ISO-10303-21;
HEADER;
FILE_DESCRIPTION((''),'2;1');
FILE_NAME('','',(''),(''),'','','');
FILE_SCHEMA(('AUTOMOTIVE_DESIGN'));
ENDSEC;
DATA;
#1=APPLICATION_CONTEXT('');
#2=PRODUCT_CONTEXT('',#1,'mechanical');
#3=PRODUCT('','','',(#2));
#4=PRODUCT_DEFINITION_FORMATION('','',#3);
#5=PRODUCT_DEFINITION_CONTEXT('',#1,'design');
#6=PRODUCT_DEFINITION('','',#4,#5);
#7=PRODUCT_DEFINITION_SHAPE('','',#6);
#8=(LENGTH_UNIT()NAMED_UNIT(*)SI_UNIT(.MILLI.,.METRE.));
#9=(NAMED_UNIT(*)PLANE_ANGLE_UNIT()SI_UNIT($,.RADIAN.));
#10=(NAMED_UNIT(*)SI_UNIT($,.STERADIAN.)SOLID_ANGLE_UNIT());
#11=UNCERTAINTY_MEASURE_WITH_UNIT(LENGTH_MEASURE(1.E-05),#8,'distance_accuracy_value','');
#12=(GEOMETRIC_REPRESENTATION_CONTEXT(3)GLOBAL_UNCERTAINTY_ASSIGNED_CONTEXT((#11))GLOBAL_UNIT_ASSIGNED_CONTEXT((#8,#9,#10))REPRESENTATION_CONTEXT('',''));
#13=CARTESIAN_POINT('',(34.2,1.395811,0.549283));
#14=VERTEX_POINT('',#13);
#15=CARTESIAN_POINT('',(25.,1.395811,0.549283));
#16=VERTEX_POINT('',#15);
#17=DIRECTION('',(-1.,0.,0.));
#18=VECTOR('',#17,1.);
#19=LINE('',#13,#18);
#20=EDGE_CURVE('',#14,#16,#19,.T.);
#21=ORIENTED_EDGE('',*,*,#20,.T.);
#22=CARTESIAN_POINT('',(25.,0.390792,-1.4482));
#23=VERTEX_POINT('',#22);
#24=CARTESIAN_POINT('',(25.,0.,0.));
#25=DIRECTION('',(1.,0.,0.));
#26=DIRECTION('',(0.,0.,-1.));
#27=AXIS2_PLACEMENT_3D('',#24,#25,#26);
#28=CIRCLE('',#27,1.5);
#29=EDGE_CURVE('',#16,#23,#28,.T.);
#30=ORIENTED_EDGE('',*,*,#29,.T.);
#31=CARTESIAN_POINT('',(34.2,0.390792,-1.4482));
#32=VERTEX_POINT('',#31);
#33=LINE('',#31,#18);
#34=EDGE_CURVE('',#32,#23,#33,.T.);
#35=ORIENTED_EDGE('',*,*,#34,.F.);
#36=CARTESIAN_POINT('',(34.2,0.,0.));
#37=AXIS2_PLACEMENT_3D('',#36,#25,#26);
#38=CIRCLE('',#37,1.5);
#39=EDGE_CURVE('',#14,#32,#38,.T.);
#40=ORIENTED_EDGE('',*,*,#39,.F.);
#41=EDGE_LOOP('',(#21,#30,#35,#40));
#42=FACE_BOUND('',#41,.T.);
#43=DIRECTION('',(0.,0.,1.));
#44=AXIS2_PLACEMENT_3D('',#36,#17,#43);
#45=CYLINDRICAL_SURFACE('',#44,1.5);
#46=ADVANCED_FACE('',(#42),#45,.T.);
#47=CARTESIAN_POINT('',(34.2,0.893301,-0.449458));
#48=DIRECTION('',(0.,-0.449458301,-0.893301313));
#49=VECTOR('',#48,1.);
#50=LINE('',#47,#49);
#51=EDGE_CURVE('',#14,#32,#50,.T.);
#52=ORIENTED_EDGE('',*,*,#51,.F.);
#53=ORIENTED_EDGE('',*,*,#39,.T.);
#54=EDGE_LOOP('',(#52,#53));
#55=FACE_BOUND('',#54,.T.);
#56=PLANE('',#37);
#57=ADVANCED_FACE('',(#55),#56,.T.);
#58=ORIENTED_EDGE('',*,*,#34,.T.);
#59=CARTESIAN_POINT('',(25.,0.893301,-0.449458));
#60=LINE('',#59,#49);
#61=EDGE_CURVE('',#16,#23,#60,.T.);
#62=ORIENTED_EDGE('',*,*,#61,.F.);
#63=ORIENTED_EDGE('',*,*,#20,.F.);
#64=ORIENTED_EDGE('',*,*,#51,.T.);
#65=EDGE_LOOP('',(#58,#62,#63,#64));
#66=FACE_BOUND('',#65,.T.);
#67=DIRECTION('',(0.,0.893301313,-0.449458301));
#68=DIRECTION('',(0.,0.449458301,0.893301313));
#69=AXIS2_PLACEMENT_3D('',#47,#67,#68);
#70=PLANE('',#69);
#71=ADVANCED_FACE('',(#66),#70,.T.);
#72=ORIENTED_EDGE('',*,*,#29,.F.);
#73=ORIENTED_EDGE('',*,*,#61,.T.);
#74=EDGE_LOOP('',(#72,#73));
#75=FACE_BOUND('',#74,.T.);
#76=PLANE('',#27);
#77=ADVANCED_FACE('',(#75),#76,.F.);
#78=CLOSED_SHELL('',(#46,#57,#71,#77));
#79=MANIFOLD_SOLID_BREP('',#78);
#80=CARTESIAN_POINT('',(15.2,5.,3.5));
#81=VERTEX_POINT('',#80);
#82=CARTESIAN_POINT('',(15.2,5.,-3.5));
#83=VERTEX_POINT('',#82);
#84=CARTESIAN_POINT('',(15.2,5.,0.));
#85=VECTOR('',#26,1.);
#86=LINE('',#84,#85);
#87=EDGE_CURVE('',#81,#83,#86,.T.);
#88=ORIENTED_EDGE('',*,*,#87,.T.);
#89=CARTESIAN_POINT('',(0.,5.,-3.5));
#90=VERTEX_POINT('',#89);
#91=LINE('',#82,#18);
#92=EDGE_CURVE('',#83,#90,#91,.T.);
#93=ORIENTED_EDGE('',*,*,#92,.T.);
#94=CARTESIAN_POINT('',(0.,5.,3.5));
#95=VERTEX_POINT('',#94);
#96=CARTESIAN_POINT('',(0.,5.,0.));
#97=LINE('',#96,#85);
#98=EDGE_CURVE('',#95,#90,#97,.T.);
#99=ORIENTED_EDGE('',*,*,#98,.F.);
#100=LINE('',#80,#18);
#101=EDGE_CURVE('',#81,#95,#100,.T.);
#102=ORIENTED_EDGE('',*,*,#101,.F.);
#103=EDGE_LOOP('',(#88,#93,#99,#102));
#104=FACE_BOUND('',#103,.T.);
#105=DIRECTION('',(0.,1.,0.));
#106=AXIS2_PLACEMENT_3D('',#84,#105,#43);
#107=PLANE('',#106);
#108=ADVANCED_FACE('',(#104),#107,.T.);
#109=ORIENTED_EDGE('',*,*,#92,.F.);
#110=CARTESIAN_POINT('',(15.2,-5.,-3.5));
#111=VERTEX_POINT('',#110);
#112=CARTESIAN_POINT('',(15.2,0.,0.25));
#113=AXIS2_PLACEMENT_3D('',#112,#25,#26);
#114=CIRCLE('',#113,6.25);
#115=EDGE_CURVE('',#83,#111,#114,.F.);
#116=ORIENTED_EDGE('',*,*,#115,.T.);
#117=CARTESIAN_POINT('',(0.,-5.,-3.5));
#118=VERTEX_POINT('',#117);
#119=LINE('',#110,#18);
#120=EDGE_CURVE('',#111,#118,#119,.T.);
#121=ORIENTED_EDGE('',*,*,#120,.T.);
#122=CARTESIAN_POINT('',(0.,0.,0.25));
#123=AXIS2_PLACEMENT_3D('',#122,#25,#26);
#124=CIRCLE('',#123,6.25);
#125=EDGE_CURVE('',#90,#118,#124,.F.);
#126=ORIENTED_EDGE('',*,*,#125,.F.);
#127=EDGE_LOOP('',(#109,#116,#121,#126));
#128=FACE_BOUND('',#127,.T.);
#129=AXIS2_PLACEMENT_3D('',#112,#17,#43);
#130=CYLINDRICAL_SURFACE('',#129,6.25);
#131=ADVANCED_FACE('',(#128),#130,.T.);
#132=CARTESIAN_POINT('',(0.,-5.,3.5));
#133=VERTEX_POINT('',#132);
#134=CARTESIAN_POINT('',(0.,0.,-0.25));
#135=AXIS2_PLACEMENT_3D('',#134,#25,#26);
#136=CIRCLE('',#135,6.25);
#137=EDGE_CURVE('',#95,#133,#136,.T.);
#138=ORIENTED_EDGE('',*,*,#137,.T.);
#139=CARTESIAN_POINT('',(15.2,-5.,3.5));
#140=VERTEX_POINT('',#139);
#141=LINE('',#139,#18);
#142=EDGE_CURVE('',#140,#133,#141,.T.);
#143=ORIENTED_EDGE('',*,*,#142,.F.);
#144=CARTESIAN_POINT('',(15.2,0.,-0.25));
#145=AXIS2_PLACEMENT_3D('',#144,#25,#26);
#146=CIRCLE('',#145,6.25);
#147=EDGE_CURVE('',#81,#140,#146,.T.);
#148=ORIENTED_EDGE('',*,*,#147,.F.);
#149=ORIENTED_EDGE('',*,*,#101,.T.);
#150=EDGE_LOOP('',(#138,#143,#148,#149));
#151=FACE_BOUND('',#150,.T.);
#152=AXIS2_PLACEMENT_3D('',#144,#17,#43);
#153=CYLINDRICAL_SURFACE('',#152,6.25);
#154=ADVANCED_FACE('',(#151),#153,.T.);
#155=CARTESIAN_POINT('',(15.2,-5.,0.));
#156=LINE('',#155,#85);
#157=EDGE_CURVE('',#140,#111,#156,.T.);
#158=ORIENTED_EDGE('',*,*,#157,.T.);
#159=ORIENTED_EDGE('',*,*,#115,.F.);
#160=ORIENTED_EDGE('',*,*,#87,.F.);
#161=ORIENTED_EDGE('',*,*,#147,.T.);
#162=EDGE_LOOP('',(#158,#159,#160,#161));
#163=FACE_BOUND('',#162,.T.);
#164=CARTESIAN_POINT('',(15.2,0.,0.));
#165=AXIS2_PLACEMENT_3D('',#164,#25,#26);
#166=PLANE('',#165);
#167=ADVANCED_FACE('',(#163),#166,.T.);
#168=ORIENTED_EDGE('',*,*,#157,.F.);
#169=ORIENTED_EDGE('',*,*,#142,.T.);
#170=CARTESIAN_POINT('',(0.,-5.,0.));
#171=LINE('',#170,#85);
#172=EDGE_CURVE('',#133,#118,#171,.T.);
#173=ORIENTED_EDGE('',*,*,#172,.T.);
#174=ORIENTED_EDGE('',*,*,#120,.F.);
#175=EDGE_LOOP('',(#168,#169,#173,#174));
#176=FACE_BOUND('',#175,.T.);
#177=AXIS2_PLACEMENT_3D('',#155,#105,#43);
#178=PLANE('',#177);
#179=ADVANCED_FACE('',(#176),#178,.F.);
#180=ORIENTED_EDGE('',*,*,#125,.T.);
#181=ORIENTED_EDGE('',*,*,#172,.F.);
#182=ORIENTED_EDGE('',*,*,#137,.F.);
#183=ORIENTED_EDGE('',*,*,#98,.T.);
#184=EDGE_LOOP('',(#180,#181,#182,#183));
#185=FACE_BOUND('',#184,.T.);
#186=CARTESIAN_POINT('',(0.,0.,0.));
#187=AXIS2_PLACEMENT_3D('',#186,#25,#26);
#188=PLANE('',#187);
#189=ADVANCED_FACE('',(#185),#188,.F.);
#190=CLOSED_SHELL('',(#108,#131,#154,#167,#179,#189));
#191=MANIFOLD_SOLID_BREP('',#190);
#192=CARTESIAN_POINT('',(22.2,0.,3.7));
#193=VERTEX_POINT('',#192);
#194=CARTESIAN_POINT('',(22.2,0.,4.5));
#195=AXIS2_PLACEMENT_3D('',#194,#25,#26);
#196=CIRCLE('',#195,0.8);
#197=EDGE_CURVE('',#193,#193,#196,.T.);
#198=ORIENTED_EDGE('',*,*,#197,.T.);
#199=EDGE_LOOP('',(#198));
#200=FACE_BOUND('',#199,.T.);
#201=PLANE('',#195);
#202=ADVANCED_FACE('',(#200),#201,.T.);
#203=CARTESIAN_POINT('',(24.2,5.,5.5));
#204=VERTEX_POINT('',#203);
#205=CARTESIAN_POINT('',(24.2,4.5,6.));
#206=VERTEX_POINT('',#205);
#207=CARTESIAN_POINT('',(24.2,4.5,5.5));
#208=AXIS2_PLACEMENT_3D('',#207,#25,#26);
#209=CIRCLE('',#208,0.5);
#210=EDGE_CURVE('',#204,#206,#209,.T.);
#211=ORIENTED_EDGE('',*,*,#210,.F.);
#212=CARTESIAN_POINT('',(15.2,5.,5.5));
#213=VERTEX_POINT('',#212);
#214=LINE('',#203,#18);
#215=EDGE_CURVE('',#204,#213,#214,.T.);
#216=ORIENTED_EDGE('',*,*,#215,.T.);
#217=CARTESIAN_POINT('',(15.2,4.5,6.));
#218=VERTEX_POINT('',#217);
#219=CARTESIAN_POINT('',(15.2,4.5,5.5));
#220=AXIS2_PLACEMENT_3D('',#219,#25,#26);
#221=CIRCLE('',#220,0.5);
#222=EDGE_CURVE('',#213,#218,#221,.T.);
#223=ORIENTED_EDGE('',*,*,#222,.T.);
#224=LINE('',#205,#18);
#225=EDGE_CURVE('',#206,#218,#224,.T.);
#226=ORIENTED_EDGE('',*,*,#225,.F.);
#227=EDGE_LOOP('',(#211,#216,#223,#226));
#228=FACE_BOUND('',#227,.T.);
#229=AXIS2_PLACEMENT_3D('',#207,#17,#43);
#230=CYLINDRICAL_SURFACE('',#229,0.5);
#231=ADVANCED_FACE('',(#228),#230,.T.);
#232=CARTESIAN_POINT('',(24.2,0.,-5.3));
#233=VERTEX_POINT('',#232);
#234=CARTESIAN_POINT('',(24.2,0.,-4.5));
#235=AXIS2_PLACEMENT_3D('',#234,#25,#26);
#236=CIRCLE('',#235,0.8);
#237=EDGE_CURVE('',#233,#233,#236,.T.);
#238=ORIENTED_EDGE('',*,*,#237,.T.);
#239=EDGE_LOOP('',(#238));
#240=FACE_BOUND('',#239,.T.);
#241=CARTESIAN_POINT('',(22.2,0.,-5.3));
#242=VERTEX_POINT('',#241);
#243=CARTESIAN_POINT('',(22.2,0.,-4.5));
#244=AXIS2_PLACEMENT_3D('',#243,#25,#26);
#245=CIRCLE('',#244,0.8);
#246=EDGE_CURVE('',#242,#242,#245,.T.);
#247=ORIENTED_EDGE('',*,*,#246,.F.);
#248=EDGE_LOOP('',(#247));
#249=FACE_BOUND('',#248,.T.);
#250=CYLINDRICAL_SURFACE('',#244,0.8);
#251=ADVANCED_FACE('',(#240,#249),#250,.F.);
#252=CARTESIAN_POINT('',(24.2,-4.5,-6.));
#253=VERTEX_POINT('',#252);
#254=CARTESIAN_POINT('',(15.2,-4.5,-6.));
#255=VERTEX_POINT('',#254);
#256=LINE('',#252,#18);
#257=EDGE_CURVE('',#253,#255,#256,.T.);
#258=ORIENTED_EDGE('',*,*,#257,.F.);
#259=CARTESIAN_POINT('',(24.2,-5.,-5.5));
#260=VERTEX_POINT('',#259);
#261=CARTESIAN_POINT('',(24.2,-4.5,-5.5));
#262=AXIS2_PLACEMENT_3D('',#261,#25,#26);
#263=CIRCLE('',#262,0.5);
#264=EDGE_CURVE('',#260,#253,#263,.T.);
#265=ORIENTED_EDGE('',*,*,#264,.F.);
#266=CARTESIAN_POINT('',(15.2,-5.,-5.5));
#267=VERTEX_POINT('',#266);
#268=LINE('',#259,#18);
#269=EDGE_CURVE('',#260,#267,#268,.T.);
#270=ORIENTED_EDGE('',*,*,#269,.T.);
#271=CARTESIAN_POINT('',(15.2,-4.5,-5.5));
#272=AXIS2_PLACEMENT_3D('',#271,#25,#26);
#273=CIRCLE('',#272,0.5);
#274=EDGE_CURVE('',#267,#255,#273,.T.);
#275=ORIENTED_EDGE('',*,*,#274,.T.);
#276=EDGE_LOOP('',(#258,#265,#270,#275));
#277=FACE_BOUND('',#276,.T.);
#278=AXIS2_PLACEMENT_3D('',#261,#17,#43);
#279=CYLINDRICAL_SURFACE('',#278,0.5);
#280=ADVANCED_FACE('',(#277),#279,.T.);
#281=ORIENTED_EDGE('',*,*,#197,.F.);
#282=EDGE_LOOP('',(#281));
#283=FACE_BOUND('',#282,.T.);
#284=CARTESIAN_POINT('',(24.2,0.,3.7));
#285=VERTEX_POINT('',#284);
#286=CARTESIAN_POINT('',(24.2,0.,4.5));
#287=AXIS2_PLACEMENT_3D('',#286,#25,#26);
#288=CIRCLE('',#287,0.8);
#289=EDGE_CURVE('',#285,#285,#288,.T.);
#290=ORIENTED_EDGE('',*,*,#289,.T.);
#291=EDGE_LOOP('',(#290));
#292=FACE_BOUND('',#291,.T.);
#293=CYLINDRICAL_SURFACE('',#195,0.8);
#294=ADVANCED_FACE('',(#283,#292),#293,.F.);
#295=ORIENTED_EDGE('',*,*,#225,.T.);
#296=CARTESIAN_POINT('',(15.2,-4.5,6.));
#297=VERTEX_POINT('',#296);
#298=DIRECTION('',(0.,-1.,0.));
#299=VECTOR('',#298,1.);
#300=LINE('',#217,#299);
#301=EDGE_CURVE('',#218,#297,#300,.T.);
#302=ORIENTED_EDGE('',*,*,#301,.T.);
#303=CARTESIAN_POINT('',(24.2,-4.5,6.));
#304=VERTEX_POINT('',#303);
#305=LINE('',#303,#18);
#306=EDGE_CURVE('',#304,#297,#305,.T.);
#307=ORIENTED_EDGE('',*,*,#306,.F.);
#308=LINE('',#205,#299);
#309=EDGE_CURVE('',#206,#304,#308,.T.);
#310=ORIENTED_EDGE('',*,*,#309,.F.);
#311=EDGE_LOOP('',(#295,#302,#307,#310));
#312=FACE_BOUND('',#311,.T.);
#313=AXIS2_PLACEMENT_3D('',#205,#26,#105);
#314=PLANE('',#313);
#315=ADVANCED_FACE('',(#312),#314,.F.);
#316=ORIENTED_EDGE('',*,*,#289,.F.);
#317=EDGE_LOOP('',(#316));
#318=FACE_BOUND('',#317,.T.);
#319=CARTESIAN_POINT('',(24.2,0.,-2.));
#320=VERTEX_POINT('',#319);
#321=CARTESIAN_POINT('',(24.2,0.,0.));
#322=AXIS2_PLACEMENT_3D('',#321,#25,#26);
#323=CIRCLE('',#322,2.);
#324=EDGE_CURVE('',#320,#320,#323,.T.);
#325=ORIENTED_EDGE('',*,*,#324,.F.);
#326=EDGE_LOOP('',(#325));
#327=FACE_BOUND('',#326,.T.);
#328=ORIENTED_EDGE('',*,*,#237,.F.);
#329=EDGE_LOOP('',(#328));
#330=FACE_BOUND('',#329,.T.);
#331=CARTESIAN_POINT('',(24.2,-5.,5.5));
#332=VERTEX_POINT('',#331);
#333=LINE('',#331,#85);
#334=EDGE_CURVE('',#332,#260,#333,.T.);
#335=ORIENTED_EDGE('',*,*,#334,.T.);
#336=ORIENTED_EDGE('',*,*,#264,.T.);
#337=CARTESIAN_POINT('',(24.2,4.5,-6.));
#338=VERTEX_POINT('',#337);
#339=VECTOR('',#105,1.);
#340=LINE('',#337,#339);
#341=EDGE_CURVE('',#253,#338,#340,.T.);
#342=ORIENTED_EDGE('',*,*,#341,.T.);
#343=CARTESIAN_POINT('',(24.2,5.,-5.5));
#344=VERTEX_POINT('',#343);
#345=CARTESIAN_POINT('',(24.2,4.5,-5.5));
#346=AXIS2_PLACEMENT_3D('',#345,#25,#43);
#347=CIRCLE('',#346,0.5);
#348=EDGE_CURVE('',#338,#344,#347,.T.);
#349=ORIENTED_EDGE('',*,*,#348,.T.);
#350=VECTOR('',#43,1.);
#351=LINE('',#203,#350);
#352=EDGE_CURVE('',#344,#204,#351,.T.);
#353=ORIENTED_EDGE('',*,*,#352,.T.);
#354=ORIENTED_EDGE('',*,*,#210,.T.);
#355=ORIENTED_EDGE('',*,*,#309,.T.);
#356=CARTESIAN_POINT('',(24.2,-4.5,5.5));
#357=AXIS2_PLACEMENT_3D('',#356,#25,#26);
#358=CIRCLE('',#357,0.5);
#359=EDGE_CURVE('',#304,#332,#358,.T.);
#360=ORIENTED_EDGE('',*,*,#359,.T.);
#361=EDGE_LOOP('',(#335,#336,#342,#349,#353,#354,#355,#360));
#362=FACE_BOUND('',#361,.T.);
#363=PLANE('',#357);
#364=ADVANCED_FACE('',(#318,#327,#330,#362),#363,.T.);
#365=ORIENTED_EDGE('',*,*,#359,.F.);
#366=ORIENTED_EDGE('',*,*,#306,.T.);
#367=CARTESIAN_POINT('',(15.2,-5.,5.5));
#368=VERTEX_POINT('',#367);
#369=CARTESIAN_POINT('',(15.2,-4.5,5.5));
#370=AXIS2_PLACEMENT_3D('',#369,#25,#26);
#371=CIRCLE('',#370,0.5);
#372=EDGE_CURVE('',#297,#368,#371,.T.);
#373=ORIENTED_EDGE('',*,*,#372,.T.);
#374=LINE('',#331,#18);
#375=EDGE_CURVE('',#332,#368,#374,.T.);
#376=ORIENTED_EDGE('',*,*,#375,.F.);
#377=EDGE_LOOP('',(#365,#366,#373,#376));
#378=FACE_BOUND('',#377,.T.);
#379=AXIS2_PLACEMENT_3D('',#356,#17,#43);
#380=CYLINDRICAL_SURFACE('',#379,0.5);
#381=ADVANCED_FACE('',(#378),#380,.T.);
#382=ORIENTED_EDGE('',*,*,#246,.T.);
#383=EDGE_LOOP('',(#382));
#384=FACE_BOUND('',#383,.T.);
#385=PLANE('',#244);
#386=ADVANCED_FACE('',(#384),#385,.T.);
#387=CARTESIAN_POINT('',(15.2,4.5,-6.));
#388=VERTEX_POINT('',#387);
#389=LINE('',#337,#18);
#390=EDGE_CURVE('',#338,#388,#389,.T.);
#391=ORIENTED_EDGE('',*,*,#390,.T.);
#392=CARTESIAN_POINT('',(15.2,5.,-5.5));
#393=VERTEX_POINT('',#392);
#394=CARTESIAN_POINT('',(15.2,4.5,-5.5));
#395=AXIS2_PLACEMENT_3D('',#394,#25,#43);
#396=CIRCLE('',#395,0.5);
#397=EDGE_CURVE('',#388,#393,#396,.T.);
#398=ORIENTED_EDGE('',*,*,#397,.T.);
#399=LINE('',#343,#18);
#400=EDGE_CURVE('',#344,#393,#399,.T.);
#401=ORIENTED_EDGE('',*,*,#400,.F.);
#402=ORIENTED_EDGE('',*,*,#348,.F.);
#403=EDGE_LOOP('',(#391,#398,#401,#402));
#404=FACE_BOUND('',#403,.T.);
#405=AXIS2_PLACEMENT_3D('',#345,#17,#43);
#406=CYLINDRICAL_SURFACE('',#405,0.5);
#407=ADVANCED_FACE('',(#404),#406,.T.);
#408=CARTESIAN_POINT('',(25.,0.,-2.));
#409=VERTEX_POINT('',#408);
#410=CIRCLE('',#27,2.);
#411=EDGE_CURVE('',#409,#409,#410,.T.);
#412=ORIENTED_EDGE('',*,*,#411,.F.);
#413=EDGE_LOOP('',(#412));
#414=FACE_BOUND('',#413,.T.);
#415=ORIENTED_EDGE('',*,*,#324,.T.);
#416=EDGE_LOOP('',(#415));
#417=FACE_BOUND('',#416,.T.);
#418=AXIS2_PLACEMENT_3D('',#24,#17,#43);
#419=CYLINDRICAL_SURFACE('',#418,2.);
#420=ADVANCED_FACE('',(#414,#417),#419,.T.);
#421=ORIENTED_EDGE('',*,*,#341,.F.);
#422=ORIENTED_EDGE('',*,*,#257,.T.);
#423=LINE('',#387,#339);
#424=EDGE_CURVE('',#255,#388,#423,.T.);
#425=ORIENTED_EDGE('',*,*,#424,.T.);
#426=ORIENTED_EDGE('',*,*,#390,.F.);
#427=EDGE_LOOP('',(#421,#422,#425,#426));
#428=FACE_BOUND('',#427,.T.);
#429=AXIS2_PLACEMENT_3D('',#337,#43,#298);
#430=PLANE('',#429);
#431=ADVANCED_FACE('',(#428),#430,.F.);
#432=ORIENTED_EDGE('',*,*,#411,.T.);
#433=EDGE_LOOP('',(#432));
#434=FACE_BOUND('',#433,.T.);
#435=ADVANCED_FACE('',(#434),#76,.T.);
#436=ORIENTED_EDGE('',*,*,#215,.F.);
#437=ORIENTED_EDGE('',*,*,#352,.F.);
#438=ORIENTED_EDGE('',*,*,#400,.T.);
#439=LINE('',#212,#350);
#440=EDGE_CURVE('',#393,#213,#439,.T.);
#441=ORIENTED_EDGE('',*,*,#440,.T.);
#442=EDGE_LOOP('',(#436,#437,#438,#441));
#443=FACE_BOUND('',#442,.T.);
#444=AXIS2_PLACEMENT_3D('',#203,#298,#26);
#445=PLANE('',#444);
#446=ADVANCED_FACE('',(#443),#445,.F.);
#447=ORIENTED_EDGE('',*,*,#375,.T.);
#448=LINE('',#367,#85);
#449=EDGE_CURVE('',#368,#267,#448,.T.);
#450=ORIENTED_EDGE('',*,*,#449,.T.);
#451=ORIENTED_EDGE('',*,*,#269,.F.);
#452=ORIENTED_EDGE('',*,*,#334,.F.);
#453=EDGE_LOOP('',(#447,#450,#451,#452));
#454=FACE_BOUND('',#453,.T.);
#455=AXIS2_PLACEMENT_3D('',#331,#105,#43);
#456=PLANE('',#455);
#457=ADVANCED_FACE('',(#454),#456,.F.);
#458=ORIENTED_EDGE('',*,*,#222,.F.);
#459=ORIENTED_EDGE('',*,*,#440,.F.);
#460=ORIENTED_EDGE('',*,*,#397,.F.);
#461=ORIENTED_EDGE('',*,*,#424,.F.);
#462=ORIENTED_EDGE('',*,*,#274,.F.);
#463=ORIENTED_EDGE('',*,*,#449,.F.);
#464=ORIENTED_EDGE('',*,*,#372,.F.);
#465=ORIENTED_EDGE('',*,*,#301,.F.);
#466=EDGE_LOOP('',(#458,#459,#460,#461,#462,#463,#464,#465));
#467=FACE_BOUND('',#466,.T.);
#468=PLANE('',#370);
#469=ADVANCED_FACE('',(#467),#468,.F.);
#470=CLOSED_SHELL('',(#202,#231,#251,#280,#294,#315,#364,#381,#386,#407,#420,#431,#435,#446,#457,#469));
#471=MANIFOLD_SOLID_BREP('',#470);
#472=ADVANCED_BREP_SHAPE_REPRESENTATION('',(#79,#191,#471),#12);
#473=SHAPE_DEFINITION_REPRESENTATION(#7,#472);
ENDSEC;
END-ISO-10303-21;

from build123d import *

# Parameters (mm, degrees)
SKETCH1_W           = 7
SKETCH1_H           = 10
BOSS_EXTRUDE3_DEPTH = 15.2
BOSS_EXTRUDE4_DEPTH = 9
SKETCH4_R           = 2
BOSS_EXTRUDE5_DEPTH = 0.8
BOSS_EXTRUDE6_DEPTH = 9.2
SKETCH6_R           = 0.8
CUT_EXTRUDE1_DEPTH  = 2


with BuildPart() as part:
    # Sketch1 → Boss-Extrude3 (new body)
    with BuildSketch(Plane(origin=(0, 0, 0), x_dir=(0, 0, -1), z_dir=(1, 0, 0))):
        with BuildLine():
            Line((-3.5, 5), (-3.5, -5))
            ThreePointArc((-3.5, -5), (-6, 0), (-3.5, 5))
        make_face()
        Rectangle(SKETCH1_W, SKETCH1_H)
        with BuildLine():
            ThreePointArc((3.5, 5), (6, 0), (3.5, -5))
            Line((3.5, -5), (3.5, 5))
        make_face()
    extrude(amount=BOSS_EXTRUDE3_DEPTH)


with BuildPart() as body_2:
    # Sketch3 → Boss-Extrude4 (new body)
    with BuildSketch(Plane(origin=(15.2, 0, 0), x_dir=(0, 0, -1), z_dir=(1, 0, 0))):
        with BuildLine():
            Line((-5.5, 5), (5.5, 5))
            ThreePointArc((5.5, 5), (5.853553391, 4.853553391), (6, 4.5))
            Line((6, 4.5), (6, -4.5))
            ThreePointArc((6, -4.5), (5.853553391, -4.853553391), (5.5, -5))
            Line((5.5, -5), (-5.5, -5))
            ThreePointArc((-5.5, -5), (-5.853553391, -4.853553391), (-6, -4.5))
            Line((-6, -4.5), (-6, 4.5))
            ThreePointArc((-6, 4.5), (-5.853553391, 4.853553391), (-5.5, 5))
        make_face()
    extrude(amount=BOSS_EXTRUDE4_DEPTH)

    # Sketch4 → Boss-Extrude5 (add)
    with BuildSketch(Plane(origin=(24.2, 0, 0), x_dir=(0, 0, -1), z_dir=(1, 0, 0))):
        Circle(SKETCH4_R)
    extrude(amount=BOSS_EXTRUDE5_DEPTH)

    # Sketch6 → Cut-Extrude1 (cut)
    with BuildSketch(Plane(origin=(24.2, 0, 0), x_dir=(0, 0, -1), z_dir=(1, 0, 0))):
        with Locations((4.5, 0)):
            Circle(SKETCH6_R)
        with Locations((-4.5, 0)):
            Circle(SKETCH6_R)
    extrude(amount=-CUT_EXTRUDE1_DEPTH, mode=Mode.SUBTRACT)


with BuildPart() as body_3:
    # Sketch5 → Boss-Extrude6 (new body)
    with BuildSketch(Plane(origin=(25, 0, 0), x_dir=(0, 0, -1), z_dir=(1, 0, 0))):
        with BuildLine():
            Line((1.448199531, 0.390791656), (-0.54928293, 1.39581097))
            ThreePointArc((-0.54928293, 1.39581097), (-0.844415658, -1.239742795), (1.5, 0))
            ThreePointArc((1.5, 0), (1.486993493, 0.197104926), (1.448199531, 0.390791656))
        make_face()
    extrude(amount=BOSS_EXTRUDE6_DEPTH)


solid = Compound([part.part, body_2.part, body_3.part])
